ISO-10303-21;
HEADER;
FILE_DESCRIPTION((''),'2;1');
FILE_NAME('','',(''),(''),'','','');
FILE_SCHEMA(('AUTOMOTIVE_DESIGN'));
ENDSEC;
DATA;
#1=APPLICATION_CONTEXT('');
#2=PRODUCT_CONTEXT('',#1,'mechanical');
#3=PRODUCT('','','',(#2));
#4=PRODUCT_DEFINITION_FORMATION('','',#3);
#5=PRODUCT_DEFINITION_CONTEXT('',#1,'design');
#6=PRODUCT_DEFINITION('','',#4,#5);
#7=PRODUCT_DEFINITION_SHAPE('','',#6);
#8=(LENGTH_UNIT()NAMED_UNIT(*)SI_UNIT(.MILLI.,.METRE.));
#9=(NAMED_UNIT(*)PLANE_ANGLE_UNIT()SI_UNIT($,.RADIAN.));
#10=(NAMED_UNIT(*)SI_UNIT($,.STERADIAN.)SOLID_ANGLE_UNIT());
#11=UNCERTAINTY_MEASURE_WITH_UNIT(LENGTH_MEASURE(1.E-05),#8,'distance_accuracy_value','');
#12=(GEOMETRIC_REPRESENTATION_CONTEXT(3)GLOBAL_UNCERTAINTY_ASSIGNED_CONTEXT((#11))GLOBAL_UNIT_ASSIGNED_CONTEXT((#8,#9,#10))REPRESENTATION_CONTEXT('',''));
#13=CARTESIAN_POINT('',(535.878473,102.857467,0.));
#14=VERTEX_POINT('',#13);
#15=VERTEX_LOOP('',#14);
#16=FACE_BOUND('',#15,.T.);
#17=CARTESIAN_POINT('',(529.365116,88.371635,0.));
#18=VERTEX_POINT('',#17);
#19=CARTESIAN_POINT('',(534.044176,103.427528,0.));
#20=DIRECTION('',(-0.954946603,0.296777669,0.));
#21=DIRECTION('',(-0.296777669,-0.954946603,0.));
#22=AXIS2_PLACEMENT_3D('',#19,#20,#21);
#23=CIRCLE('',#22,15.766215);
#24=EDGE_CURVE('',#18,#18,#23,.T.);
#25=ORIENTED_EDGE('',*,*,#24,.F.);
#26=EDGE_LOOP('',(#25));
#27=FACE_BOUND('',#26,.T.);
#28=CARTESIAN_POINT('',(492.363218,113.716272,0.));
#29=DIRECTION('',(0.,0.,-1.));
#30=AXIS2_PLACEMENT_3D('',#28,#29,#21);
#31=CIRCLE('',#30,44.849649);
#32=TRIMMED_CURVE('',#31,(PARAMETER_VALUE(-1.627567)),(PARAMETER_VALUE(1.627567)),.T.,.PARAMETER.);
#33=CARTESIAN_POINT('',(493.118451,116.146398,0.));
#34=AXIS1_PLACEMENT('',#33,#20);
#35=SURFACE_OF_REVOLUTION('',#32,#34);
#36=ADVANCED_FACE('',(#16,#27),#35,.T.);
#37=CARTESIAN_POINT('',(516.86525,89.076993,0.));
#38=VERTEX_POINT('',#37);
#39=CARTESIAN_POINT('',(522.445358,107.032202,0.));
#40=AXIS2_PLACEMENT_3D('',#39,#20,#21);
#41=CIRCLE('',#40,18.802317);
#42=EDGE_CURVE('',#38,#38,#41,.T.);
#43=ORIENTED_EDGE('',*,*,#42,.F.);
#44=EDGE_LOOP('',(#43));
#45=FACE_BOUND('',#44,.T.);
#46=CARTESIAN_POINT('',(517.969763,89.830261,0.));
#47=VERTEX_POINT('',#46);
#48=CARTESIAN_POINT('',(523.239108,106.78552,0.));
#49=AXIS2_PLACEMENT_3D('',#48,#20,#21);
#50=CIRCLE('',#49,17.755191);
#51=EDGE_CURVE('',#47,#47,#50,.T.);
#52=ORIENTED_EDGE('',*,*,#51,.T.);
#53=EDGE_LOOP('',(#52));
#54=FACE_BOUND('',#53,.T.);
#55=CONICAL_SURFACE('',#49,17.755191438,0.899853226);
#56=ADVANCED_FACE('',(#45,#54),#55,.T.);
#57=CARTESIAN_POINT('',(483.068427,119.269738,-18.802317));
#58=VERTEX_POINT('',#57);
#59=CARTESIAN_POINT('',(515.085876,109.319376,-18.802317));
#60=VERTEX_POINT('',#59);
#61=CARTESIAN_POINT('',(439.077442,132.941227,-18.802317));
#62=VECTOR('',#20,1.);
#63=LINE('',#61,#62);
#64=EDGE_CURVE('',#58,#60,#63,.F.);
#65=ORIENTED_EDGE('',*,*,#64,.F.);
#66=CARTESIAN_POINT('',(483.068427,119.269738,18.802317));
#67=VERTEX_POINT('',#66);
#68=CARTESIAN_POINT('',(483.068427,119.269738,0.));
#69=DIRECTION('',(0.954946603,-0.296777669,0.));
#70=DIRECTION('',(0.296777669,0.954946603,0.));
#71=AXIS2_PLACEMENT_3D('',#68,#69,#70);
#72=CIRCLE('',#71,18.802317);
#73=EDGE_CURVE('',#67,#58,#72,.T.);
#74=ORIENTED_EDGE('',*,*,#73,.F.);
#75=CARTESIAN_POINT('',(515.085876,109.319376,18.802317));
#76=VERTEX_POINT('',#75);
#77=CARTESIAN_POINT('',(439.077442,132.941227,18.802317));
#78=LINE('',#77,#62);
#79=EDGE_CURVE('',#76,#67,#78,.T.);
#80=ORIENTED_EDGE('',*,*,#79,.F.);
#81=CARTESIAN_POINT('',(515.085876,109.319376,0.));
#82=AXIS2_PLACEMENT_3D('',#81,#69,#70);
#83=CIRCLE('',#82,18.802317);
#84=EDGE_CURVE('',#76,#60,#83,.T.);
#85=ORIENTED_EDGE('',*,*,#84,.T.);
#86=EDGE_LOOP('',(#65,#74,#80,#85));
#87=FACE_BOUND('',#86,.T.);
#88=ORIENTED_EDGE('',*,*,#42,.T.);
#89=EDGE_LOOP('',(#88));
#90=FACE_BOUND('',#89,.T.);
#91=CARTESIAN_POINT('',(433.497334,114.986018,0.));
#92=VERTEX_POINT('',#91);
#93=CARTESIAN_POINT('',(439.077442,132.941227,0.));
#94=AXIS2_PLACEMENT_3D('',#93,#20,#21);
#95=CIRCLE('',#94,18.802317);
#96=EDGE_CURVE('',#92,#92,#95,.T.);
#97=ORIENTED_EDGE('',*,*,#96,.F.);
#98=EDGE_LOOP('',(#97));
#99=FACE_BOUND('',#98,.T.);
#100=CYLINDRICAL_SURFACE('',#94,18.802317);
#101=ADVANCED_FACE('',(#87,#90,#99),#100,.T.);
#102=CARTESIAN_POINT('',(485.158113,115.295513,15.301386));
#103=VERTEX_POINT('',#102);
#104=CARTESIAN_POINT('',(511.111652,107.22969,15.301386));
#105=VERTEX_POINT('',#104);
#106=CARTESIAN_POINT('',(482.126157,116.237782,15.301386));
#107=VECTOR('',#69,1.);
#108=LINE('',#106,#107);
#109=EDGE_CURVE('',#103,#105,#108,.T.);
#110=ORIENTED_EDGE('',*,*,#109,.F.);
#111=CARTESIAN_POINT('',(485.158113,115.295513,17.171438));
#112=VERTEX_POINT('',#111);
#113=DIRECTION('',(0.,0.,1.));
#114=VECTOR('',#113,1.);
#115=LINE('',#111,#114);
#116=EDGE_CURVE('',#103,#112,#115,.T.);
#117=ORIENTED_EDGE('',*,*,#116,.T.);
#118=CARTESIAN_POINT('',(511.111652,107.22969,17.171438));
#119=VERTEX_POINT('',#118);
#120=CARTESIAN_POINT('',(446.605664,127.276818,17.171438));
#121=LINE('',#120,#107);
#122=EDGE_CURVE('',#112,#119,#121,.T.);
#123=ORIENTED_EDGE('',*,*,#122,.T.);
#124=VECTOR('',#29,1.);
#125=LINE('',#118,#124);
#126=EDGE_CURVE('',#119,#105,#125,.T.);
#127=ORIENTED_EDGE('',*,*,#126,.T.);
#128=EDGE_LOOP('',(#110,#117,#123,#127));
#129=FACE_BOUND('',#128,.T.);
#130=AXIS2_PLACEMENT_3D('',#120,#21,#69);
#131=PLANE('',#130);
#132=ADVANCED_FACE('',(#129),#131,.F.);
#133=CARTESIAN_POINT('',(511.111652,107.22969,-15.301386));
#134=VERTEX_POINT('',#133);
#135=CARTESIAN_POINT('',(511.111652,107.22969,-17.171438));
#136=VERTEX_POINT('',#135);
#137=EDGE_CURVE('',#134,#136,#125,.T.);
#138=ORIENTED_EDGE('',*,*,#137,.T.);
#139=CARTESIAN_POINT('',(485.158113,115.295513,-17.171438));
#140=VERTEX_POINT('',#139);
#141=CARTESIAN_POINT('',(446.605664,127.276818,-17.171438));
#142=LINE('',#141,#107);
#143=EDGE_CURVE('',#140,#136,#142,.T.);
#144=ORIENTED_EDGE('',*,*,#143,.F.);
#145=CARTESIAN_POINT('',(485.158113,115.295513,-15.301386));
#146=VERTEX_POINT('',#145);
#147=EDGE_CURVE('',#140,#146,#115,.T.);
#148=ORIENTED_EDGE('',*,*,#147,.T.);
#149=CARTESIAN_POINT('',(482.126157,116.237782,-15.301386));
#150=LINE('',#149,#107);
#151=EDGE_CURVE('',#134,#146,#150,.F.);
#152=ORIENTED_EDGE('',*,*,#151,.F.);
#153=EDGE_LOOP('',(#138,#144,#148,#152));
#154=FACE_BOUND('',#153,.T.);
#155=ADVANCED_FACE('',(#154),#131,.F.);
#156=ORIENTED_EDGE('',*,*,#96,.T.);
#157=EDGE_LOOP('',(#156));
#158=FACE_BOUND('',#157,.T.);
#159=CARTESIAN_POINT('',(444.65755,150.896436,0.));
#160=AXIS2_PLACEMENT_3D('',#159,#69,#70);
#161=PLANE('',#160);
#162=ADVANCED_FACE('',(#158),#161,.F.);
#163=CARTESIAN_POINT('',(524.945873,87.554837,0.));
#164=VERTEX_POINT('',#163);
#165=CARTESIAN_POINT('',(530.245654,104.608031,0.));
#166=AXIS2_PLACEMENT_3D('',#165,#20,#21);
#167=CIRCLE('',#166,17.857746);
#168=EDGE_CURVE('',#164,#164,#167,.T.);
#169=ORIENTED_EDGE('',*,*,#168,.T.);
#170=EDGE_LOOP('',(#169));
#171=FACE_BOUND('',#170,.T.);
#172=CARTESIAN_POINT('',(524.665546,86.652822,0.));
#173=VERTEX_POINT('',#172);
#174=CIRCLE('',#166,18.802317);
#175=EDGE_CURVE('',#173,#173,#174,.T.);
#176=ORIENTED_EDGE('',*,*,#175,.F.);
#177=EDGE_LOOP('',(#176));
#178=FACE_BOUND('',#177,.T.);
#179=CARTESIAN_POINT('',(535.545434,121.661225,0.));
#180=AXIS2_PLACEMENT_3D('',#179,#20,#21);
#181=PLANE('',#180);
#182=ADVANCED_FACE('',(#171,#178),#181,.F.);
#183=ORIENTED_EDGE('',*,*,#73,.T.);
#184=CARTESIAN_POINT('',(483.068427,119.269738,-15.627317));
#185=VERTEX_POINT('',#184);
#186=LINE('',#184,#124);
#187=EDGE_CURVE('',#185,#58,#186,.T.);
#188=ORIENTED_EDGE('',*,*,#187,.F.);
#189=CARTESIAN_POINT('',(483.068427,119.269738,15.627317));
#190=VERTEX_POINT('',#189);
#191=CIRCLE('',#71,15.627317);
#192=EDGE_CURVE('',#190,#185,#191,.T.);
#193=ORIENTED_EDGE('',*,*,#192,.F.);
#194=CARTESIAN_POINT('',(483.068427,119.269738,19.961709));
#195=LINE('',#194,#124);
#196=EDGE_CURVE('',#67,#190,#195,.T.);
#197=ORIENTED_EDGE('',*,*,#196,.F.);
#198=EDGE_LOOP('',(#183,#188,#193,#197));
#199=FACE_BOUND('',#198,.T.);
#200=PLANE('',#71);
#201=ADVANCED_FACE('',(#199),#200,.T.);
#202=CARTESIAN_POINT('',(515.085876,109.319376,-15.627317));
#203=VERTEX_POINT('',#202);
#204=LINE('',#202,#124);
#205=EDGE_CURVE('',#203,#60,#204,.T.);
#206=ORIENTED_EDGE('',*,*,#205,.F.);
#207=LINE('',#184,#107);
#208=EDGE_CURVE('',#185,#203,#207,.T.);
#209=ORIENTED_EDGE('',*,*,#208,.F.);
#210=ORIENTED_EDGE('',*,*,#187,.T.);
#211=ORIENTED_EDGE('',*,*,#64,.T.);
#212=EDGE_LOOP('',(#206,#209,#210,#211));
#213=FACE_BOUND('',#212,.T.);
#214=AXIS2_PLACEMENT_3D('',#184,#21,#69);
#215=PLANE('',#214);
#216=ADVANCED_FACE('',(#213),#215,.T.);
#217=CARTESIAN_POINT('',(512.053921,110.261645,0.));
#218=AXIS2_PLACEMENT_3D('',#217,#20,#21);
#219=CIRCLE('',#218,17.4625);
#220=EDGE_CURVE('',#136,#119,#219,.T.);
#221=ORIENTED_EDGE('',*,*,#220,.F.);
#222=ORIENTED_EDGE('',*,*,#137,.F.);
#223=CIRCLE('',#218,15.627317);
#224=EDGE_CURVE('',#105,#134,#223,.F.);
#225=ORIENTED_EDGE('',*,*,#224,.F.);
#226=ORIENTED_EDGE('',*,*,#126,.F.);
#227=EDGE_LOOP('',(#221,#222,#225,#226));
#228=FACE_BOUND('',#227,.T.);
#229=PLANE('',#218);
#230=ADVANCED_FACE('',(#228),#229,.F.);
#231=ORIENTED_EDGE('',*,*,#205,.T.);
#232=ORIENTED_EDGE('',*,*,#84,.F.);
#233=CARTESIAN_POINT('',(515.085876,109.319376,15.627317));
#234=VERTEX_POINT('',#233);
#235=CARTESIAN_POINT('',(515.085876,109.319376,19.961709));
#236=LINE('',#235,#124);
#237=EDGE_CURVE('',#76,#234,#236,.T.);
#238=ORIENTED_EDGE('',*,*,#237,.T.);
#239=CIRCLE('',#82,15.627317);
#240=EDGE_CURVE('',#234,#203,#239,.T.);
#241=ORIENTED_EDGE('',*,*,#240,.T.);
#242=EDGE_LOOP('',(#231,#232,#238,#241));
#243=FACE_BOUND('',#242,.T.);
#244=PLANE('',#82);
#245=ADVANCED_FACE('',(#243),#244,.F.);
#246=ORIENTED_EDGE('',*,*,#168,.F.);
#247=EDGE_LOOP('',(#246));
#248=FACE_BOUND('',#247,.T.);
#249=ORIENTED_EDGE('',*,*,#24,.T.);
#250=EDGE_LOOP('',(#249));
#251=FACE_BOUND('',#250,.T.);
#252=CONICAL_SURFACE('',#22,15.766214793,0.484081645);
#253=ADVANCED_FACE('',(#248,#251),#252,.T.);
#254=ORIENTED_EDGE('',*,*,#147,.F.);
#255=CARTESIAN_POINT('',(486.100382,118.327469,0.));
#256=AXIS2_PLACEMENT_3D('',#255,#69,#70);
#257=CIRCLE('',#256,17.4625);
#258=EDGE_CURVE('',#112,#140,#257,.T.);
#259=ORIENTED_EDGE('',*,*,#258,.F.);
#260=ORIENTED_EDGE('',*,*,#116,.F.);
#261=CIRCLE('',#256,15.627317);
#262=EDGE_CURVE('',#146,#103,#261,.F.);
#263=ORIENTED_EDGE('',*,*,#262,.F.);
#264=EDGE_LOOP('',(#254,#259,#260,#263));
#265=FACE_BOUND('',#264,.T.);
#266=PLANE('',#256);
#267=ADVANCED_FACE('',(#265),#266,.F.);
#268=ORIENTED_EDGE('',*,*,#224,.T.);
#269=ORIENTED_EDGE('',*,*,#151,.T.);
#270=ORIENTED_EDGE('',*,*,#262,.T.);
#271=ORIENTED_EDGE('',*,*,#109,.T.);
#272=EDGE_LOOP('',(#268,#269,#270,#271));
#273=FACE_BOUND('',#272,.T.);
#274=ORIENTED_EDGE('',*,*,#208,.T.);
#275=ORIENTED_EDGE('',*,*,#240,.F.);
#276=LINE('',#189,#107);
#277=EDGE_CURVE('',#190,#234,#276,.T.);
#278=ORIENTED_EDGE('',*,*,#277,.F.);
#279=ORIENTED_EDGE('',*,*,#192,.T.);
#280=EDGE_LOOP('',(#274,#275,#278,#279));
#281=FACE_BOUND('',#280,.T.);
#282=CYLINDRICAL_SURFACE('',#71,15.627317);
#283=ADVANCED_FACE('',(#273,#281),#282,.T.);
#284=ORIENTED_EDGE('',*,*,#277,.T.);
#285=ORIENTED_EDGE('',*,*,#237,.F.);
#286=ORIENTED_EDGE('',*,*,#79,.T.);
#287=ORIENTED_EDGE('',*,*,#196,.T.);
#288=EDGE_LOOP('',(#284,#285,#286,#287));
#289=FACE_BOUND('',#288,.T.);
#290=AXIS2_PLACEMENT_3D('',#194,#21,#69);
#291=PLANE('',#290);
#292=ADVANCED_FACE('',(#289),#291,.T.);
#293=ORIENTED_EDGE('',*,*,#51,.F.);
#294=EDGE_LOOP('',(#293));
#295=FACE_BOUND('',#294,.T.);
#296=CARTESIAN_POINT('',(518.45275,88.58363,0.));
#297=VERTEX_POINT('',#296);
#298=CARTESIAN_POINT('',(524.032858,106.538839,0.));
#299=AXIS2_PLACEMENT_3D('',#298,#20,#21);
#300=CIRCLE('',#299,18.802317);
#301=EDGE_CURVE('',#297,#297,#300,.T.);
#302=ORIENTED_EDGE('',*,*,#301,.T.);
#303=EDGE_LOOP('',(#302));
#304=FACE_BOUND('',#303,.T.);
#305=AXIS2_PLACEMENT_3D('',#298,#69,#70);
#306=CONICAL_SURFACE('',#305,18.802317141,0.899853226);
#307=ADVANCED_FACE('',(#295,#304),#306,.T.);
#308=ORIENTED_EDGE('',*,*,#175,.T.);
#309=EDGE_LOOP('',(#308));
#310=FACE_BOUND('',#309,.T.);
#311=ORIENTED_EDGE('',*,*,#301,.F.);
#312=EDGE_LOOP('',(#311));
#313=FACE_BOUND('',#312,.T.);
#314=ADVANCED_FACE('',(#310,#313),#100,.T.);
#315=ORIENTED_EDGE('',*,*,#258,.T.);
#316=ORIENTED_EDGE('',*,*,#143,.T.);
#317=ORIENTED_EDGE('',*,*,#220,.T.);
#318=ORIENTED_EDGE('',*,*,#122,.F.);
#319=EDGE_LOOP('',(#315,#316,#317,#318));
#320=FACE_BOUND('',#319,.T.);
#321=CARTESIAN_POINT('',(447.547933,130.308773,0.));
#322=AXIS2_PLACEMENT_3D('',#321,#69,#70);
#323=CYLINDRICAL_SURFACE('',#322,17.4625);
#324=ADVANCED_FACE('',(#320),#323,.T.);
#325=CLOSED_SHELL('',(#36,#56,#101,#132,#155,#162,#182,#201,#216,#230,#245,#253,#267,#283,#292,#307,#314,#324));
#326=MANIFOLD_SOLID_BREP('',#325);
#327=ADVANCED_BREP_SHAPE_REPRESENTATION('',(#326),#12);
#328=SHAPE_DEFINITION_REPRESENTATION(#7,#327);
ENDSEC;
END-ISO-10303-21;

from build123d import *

# Parameters (mm, degrees)
CUT_EXTRUDE1_DEPTH  = 33.528
BOSS_EXTRUDE1_DEPTH = 27.178


with BuildPart() as part:
    # Sketch1 → Revolve1 (revolve)
    with BuildSketch(Plane.XY, mode=Mode.PRIVATE) as revolve1_sk:
        with BuildLine():
            Line((528.025465613, 124.987410399), (528.508452089, 123.740780169))
            Line((528.508452089, 123.740780169), (529.612965613, 124.494048207))
            Line((529.612965613, 124.494048207), (535.825761473, 122.563239653))
            Line((535.825761473, 122.563239653), (535.545433806, 121.661224501))
            Line((535.545433806, 121.661224501), (538.723236555, 118.483421752))
            ThreePointArc((538.723236555, 118.483421752), (537.998073772, 110.543513007), (535.87847289, 102.857466948))
            Line((535.87847289, 102.857466948), (530.245653628, 104.608030762))
            Line((530.245653628, 104.608030762), (439.077442195, 132.941226715))
            Line((439.077442195, 132.941226715), (444.657550041, 150.896435606))
            Line((444.657550041, 150.896435606), (528.025465613, 124.987410399))
        make_face()
    revolve(revolve1_sk.sketch.rotate(Axis((439.077442195, 132.941226715, 0), (0.9549466034375443, -0.29677766860580573, 0)), 180), axis=Axis((439.077442195, 132.941226715, 0), (0.9549466034375443, -0.29677766860580573, 0)))

    # Sketch3 → Cut-Extrude1 (cut)
    with BuildSketch(Plane(origin=(438.736808002, -136.350332617, 0), x_dir=(0, 0, -1), z_dir=(0.9549466034375443, -0.2967776686058057, 0))):
        with BuildLine():
            Line((-19.96170913, 257.260152541), (-15.627317141, 257.260152541))
            ThreePointArc((-15.627317141, 257.260152541), (0, 241.632835399), (15.627317141, 257.260152541))
            Line((15.627317141, 257.260152541), (19.96170913, 257.260152541))
            ThreePointArc((19.96170913, 257.260152541), (0, 237.298443411), (-19.96170913, 257.260152541))
        make_face()
    extrude(amount=-CUT_EXTRUDE1_DEPTH, mode=Mode.SUBTRACT)

    # Sketch4 → Boss-Extrude1 (add)
    with BuildSketch(Plane(origin=(435.704852536, -135.408063519, 0), x_dir=(0, 0, 1), z_dir=(-0.9549466034375443, 0.2967776686058057, 0))):
        with BuildLine():
            Line((17.171437949, 254.085152541), (-17.171437949, 254.085152541))
            ThreePointArc((-17.171437949, 254.085152541), (0, 239.797652541), (17.171437949, 254.085152541))
        make_face()
    extrude(amount=BOSS_EXTRUDE1_DEPTH)


solid = part.part
